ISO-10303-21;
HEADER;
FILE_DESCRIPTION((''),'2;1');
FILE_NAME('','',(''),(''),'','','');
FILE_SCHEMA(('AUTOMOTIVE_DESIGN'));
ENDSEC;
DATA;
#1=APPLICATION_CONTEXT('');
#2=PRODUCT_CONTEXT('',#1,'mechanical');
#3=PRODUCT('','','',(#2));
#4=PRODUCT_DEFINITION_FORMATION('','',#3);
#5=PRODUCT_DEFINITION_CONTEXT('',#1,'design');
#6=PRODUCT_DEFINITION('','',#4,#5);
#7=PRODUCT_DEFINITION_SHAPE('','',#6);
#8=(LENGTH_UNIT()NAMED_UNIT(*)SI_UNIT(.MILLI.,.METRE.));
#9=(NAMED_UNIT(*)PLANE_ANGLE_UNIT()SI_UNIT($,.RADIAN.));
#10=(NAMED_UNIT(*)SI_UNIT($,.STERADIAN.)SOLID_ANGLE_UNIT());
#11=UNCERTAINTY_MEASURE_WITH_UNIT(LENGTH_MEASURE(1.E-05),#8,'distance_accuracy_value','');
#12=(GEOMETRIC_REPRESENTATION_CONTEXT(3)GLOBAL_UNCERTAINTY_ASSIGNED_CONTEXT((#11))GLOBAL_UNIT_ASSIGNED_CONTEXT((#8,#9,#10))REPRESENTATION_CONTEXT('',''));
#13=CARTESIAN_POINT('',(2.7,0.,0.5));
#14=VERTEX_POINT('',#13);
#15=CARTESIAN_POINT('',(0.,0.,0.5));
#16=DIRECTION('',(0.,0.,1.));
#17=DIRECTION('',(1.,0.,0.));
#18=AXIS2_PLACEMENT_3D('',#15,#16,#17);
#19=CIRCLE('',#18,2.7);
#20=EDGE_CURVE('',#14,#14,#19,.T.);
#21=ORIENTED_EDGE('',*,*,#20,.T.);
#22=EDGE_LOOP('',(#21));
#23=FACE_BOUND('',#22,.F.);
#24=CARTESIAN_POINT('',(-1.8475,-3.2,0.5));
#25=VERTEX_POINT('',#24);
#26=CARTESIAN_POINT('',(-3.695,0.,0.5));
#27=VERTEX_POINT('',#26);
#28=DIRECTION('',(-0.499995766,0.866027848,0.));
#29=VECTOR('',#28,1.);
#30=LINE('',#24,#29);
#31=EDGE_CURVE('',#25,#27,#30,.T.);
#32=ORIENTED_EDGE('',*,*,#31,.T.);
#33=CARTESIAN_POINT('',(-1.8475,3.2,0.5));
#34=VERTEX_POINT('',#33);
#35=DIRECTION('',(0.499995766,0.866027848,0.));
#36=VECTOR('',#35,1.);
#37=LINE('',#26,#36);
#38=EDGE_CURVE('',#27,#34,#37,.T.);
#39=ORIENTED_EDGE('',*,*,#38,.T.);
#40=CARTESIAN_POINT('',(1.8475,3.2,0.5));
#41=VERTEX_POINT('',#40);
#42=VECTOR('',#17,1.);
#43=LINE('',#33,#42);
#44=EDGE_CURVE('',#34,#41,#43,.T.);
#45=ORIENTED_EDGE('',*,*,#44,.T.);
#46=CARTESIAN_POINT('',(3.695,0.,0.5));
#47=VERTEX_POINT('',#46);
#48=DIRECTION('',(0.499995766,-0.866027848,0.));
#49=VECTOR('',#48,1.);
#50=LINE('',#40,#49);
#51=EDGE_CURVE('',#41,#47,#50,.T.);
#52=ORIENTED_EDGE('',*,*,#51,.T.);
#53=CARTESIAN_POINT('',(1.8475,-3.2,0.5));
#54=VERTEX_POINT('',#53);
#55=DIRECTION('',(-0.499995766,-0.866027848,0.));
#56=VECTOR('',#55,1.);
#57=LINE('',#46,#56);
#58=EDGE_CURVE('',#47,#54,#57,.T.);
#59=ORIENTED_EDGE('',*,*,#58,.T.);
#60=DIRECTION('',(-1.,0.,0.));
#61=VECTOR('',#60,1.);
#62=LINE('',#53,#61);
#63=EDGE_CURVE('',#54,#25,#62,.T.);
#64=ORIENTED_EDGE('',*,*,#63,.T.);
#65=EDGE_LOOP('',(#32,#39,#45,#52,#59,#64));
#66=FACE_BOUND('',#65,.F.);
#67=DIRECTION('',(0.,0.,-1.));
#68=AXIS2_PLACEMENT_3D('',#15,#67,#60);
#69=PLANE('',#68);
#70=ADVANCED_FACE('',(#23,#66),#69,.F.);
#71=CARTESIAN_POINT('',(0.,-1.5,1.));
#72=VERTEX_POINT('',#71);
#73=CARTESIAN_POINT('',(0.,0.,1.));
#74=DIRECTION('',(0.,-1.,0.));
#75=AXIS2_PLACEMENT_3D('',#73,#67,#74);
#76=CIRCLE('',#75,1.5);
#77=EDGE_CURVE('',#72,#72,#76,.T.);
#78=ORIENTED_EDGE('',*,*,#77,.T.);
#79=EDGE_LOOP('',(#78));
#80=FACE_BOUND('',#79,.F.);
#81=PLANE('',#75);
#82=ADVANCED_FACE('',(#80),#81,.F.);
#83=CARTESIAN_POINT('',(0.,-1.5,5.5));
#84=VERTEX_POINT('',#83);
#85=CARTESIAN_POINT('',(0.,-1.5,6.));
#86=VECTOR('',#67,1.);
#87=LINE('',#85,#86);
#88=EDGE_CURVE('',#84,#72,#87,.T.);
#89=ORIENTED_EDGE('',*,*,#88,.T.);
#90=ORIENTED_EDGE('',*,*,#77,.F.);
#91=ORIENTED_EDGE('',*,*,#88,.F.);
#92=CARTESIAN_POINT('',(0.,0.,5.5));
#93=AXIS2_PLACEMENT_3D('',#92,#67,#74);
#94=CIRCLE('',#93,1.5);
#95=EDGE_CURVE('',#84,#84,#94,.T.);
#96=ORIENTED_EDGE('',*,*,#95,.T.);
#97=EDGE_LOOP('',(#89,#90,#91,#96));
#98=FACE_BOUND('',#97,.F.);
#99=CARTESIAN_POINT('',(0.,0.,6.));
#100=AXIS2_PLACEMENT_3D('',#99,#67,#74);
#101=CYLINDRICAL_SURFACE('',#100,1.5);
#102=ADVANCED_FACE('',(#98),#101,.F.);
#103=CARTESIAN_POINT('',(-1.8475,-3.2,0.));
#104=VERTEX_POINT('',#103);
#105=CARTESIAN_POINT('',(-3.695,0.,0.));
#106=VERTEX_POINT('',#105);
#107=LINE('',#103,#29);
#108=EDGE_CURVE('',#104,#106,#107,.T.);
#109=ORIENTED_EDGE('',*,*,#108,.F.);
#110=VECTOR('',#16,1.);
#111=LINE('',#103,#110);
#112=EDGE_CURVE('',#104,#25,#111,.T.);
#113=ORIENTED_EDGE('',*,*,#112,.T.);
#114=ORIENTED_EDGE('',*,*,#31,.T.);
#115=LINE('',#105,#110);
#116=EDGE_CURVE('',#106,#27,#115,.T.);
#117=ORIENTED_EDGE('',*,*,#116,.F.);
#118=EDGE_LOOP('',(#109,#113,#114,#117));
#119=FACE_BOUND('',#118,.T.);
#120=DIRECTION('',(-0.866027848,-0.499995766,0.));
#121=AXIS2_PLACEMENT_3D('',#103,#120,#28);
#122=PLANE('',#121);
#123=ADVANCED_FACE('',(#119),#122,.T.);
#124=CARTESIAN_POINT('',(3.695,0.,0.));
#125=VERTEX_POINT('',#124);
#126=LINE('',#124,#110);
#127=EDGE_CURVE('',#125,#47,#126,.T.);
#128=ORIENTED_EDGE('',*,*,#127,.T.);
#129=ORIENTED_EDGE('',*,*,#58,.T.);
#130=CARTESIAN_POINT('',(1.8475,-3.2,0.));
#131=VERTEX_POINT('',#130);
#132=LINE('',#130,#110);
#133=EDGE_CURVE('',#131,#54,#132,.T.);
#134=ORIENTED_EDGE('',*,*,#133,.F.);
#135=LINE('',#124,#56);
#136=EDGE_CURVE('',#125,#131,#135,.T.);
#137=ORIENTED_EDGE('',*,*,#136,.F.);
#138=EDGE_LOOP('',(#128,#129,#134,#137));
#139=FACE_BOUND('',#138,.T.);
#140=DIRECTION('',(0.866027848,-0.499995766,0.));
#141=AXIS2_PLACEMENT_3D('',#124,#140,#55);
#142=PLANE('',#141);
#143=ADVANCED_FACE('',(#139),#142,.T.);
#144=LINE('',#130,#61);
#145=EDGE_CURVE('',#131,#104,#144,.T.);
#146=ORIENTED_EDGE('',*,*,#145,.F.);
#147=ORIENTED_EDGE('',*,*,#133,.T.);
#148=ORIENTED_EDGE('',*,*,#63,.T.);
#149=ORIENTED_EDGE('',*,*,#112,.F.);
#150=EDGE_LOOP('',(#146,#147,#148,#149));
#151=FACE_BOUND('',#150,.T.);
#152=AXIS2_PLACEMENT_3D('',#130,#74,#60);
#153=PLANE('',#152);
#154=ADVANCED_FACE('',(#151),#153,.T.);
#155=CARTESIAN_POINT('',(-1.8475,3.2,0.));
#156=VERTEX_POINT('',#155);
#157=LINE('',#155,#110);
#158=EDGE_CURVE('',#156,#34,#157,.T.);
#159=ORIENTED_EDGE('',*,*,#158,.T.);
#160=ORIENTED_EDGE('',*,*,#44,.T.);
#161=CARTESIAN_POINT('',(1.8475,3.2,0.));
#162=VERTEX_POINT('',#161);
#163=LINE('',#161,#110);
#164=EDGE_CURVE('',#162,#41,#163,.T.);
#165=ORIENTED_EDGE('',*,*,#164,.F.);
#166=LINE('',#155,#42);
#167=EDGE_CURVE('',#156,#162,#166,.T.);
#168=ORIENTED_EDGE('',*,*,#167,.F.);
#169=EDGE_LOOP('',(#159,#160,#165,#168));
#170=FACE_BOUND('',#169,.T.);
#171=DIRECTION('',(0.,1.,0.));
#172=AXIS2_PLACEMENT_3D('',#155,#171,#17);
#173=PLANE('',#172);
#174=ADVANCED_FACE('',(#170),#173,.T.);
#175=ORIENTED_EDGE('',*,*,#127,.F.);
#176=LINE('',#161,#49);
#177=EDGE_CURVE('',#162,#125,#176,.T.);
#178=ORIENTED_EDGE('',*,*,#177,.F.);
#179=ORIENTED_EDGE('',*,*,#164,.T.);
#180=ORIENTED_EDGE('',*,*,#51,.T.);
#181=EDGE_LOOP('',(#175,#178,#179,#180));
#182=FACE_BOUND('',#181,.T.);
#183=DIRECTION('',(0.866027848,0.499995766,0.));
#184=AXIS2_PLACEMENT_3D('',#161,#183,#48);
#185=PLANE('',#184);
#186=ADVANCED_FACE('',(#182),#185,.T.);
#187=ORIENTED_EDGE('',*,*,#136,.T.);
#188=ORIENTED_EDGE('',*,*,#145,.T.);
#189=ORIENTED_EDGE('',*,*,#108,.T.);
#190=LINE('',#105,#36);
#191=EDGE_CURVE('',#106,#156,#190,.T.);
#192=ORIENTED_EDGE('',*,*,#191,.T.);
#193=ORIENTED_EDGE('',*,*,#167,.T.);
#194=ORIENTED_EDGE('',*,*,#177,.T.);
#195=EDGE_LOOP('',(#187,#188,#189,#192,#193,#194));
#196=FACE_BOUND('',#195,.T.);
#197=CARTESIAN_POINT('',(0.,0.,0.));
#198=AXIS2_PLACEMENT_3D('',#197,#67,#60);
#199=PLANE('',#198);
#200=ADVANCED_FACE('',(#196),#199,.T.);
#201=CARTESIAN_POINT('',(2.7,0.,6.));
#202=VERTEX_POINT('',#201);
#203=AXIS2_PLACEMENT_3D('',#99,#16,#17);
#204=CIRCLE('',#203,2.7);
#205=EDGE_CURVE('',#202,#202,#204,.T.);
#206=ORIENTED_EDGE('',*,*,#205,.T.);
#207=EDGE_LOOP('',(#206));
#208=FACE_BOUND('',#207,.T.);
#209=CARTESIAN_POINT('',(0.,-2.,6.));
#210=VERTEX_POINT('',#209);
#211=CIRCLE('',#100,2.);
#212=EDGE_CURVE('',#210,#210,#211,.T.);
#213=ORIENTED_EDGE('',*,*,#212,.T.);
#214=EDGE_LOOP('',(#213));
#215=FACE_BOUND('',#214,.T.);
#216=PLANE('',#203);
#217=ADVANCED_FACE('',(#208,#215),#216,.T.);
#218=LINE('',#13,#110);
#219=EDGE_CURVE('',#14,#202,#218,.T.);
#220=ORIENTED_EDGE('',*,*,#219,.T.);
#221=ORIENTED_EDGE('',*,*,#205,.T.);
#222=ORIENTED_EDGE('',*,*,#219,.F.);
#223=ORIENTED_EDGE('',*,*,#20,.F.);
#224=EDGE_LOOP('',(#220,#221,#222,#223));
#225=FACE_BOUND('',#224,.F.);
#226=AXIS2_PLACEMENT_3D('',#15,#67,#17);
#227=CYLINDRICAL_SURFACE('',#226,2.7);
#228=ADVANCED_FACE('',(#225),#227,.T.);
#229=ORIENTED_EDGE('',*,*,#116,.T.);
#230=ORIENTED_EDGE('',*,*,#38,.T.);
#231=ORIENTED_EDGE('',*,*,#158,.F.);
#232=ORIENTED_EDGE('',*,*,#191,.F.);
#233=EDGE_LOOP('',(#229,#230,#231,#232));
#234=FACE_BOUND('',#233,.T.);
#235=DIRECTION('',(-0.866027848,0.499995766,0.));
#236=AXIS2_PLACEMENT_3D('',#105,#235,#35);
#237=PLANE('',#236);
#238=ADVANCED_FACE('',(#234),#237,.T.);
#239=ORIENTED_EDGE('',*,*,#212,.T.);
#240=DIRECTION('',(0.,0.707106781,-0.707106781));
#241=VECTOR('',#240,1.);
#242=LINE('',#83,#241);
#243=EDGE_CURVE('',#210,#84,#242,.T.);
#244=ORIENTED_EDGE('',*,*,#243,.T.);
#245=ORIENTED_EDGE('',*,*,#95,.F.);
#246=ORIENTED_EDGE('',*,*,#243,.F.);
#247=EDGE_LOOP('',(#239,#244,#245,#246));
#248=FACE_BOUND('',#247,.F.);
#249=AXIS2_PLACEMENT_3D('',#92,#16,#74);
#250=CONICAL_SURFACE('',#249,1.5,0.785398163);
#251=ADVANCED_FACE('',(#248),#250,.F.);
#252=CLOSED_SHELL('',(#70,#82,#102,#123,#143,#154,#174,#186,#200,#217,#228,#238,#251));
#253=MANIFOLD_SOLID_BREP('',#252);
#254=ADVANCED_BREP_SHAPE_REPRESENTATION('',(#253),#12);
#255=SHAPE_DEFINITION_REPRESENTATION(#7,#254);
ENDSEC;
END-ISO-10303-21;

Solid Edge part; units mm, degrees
sketch "Sketch1" plane through (0, 0, 0) normal (0, 0, 1) x (1, 0, 0)
  line L0 (-1.8475, 3.2) -> (1.8475, 3.2)
  line L1 (1.8475, 3.2) -> (3.695, 0)
  line L2 (3.695, 0) -> (1.8475, -3.2)
  line L3 (1.8475, -3.2) -> (-1.8475, -3.2)
  line L4 (-1.8475, -3.2) -> (-3.695, 0)
  line L5 (-3.695, 0) -> (-1.8475, 3.2)
  dimension "D1" = 6.4
extrude "Protrusion1" add sketch "Sketch1" along normal blind 0.5
sketch "Sketch2" plane through (0, 0, 0.5) normal (0, 0, 1) x (1, 0, 0)
  circle A0 centre (0, 0) radius 2.7
  dimension "D1" = 5.4
extrude "Ausprägung_2" add sketch "Sketch2" along normal blind 5.5
hole "Bohrung_1" at (0, 0, 6) direction (0, 0, -1) diameter 3 depth 5
chamfer "Fase_1" distance 0.5 angle 45 1 edges at (0, 1.5, 6)
